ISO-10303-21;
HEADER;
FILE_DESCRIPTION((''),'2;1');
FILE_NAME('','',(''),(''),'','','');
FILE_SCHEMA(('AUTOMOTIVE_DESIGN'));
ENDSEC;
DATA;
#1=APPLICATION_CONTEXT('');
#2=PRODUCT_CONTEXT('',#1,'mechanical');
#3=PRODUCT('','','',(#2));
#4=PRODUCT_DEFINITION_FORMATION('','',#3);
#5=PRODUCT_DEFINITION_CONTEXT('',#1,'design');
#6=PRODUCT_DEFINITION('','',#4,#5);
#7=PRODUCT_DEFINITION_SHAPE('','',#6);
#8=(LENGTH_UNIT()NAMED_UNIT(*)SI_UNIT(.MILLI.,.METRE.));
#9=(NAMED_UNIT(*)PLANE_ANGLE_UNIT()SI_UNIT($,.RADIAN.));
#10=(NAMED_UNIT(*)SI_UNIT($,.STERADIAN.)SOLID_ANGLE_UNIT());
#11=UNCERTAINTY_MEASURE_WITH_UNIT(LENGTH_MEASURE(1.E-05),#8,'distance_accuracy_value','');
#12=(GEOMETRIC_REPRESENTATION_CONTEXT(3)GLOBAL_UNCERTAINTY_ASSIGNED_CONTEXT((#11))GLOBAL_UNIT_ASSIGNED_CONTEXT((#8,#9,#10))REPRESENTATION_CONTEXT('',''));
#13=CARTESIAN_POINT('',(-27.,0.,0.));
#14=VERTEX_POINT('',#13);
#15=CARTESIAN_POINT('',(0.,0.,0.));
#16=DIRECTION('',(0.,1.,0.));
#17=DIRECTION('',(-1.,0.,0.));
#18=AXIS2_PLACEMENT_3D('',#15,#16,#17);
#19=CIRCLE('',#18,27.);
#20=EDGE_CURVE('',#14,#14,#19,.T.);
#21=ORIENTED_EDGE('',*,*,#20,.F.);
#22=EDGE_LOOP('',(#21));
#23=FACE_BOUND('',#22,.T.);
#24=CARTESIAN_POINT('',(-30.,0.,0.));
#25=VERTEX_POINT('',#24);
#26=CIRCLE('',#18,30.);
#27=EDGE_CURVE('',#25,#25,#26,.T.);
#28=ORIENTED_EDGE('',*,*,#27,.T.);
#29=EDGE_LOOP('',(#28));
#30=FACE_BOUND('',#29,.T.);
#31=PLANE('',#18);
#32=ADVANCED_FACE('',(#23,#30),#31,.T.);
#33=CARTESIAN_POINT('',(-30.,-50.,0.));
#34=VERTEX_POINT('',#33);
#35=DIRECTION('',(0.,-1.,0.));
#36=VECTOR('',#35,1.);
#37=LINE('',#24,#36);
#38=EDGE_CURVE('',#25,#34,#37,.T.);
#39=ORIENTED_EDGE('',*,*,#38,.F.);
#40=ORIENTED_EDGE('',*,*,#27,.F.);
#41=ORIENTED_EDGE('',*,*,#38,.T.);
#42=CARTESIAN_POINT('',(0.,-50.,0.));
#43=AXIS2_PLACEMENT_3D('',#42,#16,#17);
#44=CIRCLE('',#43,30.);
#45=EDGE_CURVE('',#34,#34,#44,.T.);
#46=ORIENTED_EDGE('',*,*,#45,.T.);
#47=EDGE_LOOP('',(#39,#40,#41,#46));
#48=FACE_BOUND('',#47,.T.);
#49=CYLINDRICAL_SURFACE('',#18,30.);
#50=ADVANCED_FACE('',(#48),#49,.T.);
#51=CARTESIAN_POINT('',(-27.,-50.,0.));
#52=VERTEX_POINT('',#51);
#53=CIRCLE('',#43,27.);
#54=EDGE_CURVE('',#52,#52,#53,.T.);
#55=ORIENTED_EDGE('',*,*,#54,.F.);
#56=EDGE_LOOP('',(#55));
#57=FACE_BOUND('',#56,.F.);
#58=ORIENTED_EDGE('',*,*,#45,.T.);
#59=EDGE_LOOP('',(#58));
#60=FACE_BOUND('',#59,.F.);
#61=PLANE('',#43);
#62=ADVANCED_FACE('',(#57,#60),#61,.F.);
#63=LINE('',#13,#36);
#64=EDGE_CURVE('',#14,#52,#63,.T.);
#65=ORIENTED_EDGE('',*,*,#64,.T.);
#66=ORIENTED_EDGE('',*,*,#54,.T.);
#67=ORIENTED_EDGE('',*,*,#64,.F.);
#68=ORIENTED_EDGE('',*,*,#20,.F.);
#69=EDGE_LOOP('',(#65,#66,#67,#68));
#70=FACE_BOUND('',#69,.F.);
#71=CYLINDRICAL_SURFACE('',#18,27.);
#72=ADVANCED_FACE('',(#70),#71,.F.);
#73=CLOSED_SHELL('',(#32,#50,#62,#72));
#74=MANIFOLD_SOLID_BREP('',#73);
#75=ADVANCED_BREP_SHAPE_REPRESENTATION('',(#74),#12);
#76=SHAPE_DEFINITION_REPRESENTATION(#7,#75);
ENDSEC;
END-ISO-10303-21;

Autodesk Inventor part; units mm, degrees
ref_plane "YZ Plane" through (0, 0, 0) normal (1, 0, 0) x (0, 1, 0)
ref_plane "XZ Plane" through (0, 0, 0) normal (0, 1, 0) x (-1, 0, 0)
ref_plane "XY Plane" through (0, 0, 0) normal (0, 0, 1) x (1, 0, 0)
sketch "Sketch1" plane through (0, 0, 0) normal (0, 1, 0) x (-1, 0, 0)
  circle A0 centre (0, 0) radius 30
  circle A1 centre (0, 0) radius 27
  dimension "d0" = 60
  dimension "d1" = 3
extrude "Extrusion1" add sketch "Sketch1" against normal blind 50
properties part number "ANP 1372 FDS tube 7" material "Steel"
